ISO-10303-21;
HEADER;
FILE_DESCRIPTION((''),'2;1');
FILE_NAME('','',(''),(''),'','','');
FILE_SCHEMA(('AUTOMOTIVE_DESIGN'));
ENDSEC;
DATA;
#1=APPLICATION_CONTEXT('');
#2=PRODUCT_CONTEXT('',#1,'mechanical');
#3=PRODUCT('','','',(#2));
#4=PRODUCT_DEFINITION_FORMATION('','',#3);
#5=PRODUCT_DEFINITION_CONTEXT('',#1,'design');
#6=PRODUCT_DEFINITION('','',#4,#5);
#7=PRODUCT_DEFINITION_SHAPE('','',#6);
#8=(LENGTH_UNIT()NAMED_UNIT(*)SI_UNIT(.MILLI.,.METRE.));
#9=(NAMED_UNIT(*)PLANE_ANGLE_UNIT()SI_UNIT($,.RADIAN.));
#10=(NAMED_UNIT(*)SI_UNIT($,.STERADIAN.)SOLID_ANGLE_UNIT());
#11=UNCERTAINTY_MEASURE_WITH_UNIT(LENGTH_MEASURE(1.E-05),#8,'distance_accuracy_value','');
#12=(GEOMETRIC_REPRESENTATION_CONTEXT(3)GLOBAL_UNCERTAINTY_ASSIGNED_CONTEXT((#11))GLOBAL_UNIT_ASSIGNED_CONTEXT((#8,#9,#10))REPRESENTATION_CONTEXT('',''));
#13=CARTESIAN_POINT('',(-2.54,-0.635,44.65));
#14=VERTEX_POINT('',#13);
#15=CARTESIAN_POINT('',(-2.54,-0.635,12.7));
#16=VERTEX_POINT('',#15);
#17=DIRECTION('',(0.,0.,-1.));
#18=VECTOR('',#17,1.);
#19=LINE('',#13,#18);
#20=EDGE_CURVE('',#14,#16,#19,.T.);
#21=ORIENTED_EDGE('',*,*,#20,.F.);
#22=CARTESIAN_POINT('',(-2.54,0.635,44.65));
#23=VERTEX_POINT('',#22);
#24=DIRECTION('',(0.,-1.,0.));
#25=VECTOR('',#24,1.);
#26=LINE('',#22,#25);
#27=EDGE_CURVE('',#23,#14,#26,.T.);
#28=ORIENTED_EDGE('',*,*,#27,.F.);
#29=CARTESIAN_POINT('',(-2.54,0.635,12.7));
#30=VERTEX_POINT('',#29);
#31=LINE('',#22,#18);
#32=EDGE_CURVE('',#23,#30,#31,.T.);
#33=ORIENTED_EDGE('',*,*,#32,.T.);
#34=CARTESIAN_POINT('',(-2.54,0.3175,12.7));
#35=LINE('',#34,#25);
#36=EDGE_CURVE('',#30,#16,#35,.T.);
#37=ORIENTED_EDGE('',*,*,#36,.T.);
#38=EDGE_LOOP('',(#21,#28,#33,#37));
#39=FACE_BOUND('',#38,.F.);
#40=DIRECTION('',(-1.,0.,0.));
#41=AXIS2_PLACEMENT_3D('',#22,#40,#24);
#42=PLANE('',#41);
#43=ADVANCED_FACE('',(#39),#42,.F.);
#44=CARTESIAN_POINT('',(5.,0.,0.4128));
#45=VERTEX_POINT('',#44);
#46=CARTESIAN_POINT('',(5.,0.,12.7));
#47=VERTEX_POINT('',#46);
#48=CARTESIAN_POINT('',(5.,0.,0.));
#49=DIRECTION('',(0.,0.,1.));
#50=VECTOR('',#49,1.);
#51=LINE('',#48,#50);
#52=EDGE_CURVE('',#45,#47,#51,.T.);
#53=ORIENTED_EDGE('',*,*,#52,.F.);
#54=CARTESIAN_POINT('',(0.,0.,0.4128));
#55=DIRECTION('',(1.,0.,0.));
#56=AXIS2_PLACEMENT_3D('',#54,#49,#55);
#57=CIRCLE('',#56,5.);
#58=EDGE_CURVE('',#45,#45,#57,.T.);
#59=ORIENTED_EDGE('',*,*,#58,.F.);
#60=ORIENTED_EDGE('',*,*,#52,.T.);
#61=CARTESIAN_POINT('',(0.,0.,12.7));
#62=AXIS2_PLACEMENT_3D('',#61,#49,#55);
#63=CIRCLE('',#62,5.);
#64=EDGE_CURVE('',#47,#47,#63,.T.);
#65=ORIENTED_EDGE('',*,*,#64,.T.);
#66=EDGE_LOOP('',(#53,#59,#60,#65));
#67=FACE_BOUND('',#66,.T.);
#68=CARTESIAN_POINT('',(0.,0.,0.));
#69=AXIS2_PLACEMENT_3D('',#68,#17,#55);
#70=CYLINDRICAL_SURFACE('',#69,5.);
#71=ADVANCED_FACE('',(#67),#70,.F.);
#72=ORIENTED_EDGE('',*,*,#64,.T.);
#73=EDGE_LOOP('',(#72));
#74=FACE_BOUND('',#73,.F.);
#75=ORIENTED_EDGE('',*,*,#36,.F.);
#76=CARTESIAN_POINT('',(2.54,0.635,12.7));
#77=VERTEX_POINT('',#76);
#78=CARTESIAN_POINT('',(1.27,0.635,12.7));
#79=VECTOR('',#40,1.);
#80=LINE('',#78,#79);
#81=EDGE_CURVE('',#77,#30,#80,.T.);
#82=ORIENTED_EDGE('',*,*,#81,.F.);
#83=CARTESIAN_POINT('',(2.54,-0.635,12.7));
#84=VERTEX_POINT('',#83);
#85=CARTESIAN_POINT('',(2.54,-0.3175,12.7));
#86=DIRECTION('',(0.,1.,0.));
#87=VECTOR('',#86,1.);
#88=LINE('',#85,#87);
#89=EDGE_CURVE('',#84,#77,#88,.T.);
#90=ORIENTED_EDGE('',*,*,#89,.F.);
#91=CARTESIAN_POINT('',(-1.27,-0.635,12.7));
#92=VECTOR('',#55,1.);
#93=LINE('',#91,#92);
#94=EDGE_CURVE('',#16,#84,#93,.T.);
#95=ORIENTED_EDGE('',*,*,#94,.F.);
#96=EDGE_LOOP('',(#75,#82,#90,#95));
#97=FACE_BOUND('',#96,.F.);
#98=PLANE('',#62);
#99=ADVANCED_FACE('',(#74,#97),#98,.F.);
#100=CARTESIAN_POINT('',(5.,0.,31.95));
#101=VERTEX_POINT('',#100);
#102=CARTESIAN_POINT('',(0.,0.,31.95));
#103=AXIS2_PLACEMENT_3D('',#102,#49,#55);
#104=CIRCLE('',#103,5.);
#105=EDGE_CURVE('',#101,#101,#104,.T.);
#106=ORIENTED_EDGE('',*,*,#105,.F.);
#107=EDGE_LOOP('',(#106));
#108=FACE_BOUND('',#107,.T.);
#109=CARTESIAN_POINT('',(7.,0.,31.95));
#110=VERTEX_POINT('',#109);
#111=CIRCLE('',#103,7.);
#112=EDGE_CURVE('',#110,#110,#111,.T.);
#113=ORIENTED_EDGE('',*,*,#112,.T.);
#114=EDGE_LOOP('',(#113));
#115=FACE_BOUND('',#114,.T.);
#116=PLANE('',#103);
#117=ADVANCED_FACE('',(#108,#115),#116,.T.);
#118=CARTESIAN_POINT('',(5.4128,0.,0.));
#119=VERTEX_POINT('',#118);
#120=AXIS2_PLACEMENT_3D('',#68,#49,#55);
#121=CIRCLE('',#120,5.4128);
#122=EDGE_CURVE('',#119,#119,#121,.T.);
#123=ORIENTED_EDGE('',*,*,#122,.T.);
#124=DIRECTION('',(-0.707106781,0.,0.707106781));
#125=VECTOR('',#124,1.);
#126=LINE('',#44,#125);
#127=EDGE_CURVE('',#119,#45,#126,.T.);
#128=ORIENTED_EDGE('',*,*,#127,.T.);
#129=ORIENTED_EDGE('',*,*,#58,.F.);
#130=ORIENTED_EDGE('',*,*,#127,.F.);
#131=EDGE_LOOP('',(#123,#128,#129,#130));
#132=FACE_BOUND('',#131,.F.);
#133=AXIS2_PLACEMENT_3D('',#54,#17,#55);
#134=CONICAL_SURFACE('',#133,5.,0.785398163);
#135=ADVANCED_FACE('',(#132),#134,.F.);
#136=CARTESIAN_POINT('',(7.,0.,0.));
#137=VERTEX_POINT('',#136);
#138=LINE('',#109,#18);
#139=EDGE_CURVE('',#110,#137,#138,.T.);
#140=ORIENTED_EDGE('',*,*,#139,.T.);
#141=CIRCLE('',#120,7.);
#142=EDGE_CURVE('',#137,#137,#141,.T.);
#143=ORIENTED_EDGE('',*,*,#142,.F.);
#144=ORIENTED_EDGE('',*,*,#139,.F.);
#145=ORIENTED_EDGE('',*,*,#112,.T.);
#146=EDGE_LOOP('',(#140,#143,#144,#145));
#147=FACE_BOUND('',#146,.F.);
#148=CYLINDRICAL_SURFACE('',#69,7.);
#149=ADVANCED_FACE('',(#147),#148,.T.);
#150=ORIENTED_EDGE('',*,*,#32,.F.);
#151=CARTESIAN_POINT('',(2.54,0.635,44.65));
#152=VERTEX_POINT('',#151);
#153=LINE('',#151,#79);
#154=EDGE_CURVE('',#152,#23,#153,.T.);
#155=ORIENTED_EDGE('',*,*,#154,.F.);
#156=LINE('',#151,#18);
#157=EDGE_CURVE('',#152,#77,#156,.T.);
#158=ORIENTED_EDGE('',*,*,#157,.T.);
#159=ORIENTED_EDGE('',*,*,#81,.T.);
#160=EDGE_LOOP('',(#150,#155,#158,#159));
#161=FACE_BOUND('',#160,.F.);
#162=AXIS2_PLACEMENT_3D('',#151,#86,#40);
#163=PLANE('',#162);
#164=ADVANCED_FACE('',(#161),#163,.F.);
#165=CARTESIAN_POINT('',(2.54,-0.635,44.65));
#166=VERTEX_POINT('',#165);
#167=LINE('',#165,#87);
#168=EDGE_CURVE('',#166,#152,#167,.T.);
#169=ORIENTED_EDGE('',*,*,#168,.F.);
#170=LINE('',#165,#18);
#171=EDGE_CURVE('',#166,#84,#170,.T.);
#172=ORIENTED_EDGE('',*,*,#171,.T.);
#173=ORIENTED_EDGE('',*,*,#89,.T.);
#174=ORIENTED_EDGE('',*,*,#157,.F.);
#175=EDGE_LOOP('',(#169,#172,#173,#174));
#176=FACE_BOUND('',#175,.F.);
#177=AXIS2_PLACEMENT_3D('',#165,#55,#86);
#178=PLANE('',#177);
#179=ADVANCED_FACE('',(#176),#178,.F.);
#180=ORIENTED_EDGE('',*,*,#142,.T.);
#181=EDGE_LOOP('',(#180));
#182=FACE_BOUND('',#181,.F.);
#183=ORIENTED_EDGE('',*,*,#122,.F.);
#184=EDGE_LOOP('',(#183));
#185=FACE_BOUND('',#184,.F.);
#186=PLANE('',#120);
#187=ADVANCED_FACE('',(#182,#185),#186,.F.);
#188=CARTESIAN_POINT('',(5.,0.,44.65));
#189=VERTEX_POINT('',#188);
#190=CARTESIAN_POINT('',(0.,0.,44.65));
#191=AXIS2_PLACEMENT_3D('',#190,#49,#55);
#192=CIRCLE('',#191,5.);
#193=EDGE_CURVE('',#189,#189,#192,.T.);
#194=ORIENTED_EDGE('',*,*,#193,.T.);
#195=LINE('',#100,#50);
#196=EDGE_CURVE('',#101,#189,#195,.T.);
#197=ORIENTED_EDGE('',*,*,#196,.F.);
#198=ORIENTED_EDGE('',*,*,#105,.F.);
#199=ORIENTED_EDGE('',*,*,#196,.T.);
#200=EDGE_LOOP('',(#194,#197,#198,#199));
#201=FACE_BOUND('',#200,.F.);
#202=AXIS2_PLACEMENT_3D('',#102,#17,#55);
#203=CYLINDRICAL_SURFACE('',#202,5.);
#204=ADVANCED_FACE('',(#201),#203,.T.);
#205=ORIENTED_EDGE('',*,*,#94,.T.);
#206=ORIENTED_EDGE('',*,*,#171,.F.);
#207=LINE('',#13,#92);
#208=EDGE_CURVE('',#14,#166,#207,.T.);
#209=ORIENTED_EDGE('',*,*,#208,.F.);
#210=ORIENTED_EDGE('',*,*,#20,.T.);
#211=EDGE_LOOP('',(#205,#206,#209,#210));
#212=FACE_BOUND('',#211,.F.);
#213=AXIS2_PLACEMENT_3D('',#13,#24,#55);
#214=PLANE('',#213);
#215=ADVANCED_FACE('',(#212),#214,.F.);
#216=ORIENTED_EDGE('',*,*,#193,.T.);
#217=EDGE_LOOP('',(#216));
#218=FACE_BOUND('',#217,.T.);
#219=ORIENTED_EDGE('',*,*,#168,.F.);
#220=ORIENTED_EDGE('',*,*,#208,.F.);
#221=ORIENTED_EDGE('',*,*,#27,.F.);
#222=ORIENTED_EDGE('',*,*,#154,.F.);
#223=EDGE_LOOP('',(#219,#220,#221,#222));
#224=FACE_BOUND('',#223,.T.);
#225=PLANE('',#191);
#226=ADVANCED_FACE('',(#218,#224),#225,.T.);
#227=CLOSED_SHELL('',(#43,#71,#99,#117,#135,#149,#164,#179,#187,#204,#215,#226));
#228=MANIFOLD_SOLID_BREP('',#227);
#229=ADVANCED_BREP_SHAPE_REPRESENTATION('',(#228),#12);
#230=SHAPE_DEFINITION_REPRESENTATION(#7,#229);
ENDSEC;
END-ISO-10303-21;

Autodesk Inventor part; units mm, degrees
ref_plane "YZ Plane" through (0, 0, 0) normal (1, 0, 0) x (0, 1, 0)
ref_plane "XZ Plane" through (0, 0, 0) normal (0, 1, 0) x (-1, 0, 0)
ref_plane "XY Plane" through (0, 0, 0) normal (0, 0, 1) x (1, 0, 0)
sketch "Sketch1" plane through (0, 0, 0) normal (0, 0, 1) x (1, 0, 0)
  circle A0 centre (0, 0) radius 5
  circle A1 centre (0, 0) radius 7
  dimension "d0" = 10
  dimension "d1" = 14
extrude "Extrusion1" add sketch "Sketch1" along normal blind 12.7
sketch "Sketch2" plane through (0, 0, 12.7) normal (0, 0, 1) x (1, 0, 0)
  circle A0 centre (0, 0) radius 7
  dimension "d14" = 14
extrude "Extrusion2" add sketch "Sketch2" along normal blind 19.25
chamfer "Chamfer1" distance 0.4128 angle 45 1 edges at (-5, 0, 0)
thread "Thread1" size "7/16-14 UNC" class "2B" standard "ANSI Unified Screw Threads" full length
sketch "Sketch3" plane through (0, 0, 31.95) normal (0, 0, 1) x (1, 0, 0)
  circle A0 centre (0, 0) radius 5
  dimension "d11" = 10
extrude "Extrusion3" add sketch "Sketch3" along normal blind 12.7
thread "Thread2" size "7/16-14 UNC" class "2A" standard "ANSI Unified Screw Threads" full length
sketch "Sketch4" plane through (0, 0, 44.65) normal (0, 0, 1) x (1, 0, 0)
  line L0 (2.54, 0.635) -> (-2.54, 0.635)
  line L1 (-2.54, 0.635) -> (-2.54, -0.635)
  line L2 (-2.54, -0.635) -> (2.54, -0.635)
  line L3 (2.54, -0.635) -> (2.54, 0.635)
  line L4 (2.54, 0.635) -> (-2.54, -0.635) construction
  line L5 (-2.54, 0.635) -> (2.54, -0.635) construction
  point P0 (0, 0)
  dimension "d17" = 5.08
  dimension "d18" = 1.27
extrude "Extrusion4" cut sketch "Sketch4" against normal through all
properties part number "Pedal Shaft Extender Right"
